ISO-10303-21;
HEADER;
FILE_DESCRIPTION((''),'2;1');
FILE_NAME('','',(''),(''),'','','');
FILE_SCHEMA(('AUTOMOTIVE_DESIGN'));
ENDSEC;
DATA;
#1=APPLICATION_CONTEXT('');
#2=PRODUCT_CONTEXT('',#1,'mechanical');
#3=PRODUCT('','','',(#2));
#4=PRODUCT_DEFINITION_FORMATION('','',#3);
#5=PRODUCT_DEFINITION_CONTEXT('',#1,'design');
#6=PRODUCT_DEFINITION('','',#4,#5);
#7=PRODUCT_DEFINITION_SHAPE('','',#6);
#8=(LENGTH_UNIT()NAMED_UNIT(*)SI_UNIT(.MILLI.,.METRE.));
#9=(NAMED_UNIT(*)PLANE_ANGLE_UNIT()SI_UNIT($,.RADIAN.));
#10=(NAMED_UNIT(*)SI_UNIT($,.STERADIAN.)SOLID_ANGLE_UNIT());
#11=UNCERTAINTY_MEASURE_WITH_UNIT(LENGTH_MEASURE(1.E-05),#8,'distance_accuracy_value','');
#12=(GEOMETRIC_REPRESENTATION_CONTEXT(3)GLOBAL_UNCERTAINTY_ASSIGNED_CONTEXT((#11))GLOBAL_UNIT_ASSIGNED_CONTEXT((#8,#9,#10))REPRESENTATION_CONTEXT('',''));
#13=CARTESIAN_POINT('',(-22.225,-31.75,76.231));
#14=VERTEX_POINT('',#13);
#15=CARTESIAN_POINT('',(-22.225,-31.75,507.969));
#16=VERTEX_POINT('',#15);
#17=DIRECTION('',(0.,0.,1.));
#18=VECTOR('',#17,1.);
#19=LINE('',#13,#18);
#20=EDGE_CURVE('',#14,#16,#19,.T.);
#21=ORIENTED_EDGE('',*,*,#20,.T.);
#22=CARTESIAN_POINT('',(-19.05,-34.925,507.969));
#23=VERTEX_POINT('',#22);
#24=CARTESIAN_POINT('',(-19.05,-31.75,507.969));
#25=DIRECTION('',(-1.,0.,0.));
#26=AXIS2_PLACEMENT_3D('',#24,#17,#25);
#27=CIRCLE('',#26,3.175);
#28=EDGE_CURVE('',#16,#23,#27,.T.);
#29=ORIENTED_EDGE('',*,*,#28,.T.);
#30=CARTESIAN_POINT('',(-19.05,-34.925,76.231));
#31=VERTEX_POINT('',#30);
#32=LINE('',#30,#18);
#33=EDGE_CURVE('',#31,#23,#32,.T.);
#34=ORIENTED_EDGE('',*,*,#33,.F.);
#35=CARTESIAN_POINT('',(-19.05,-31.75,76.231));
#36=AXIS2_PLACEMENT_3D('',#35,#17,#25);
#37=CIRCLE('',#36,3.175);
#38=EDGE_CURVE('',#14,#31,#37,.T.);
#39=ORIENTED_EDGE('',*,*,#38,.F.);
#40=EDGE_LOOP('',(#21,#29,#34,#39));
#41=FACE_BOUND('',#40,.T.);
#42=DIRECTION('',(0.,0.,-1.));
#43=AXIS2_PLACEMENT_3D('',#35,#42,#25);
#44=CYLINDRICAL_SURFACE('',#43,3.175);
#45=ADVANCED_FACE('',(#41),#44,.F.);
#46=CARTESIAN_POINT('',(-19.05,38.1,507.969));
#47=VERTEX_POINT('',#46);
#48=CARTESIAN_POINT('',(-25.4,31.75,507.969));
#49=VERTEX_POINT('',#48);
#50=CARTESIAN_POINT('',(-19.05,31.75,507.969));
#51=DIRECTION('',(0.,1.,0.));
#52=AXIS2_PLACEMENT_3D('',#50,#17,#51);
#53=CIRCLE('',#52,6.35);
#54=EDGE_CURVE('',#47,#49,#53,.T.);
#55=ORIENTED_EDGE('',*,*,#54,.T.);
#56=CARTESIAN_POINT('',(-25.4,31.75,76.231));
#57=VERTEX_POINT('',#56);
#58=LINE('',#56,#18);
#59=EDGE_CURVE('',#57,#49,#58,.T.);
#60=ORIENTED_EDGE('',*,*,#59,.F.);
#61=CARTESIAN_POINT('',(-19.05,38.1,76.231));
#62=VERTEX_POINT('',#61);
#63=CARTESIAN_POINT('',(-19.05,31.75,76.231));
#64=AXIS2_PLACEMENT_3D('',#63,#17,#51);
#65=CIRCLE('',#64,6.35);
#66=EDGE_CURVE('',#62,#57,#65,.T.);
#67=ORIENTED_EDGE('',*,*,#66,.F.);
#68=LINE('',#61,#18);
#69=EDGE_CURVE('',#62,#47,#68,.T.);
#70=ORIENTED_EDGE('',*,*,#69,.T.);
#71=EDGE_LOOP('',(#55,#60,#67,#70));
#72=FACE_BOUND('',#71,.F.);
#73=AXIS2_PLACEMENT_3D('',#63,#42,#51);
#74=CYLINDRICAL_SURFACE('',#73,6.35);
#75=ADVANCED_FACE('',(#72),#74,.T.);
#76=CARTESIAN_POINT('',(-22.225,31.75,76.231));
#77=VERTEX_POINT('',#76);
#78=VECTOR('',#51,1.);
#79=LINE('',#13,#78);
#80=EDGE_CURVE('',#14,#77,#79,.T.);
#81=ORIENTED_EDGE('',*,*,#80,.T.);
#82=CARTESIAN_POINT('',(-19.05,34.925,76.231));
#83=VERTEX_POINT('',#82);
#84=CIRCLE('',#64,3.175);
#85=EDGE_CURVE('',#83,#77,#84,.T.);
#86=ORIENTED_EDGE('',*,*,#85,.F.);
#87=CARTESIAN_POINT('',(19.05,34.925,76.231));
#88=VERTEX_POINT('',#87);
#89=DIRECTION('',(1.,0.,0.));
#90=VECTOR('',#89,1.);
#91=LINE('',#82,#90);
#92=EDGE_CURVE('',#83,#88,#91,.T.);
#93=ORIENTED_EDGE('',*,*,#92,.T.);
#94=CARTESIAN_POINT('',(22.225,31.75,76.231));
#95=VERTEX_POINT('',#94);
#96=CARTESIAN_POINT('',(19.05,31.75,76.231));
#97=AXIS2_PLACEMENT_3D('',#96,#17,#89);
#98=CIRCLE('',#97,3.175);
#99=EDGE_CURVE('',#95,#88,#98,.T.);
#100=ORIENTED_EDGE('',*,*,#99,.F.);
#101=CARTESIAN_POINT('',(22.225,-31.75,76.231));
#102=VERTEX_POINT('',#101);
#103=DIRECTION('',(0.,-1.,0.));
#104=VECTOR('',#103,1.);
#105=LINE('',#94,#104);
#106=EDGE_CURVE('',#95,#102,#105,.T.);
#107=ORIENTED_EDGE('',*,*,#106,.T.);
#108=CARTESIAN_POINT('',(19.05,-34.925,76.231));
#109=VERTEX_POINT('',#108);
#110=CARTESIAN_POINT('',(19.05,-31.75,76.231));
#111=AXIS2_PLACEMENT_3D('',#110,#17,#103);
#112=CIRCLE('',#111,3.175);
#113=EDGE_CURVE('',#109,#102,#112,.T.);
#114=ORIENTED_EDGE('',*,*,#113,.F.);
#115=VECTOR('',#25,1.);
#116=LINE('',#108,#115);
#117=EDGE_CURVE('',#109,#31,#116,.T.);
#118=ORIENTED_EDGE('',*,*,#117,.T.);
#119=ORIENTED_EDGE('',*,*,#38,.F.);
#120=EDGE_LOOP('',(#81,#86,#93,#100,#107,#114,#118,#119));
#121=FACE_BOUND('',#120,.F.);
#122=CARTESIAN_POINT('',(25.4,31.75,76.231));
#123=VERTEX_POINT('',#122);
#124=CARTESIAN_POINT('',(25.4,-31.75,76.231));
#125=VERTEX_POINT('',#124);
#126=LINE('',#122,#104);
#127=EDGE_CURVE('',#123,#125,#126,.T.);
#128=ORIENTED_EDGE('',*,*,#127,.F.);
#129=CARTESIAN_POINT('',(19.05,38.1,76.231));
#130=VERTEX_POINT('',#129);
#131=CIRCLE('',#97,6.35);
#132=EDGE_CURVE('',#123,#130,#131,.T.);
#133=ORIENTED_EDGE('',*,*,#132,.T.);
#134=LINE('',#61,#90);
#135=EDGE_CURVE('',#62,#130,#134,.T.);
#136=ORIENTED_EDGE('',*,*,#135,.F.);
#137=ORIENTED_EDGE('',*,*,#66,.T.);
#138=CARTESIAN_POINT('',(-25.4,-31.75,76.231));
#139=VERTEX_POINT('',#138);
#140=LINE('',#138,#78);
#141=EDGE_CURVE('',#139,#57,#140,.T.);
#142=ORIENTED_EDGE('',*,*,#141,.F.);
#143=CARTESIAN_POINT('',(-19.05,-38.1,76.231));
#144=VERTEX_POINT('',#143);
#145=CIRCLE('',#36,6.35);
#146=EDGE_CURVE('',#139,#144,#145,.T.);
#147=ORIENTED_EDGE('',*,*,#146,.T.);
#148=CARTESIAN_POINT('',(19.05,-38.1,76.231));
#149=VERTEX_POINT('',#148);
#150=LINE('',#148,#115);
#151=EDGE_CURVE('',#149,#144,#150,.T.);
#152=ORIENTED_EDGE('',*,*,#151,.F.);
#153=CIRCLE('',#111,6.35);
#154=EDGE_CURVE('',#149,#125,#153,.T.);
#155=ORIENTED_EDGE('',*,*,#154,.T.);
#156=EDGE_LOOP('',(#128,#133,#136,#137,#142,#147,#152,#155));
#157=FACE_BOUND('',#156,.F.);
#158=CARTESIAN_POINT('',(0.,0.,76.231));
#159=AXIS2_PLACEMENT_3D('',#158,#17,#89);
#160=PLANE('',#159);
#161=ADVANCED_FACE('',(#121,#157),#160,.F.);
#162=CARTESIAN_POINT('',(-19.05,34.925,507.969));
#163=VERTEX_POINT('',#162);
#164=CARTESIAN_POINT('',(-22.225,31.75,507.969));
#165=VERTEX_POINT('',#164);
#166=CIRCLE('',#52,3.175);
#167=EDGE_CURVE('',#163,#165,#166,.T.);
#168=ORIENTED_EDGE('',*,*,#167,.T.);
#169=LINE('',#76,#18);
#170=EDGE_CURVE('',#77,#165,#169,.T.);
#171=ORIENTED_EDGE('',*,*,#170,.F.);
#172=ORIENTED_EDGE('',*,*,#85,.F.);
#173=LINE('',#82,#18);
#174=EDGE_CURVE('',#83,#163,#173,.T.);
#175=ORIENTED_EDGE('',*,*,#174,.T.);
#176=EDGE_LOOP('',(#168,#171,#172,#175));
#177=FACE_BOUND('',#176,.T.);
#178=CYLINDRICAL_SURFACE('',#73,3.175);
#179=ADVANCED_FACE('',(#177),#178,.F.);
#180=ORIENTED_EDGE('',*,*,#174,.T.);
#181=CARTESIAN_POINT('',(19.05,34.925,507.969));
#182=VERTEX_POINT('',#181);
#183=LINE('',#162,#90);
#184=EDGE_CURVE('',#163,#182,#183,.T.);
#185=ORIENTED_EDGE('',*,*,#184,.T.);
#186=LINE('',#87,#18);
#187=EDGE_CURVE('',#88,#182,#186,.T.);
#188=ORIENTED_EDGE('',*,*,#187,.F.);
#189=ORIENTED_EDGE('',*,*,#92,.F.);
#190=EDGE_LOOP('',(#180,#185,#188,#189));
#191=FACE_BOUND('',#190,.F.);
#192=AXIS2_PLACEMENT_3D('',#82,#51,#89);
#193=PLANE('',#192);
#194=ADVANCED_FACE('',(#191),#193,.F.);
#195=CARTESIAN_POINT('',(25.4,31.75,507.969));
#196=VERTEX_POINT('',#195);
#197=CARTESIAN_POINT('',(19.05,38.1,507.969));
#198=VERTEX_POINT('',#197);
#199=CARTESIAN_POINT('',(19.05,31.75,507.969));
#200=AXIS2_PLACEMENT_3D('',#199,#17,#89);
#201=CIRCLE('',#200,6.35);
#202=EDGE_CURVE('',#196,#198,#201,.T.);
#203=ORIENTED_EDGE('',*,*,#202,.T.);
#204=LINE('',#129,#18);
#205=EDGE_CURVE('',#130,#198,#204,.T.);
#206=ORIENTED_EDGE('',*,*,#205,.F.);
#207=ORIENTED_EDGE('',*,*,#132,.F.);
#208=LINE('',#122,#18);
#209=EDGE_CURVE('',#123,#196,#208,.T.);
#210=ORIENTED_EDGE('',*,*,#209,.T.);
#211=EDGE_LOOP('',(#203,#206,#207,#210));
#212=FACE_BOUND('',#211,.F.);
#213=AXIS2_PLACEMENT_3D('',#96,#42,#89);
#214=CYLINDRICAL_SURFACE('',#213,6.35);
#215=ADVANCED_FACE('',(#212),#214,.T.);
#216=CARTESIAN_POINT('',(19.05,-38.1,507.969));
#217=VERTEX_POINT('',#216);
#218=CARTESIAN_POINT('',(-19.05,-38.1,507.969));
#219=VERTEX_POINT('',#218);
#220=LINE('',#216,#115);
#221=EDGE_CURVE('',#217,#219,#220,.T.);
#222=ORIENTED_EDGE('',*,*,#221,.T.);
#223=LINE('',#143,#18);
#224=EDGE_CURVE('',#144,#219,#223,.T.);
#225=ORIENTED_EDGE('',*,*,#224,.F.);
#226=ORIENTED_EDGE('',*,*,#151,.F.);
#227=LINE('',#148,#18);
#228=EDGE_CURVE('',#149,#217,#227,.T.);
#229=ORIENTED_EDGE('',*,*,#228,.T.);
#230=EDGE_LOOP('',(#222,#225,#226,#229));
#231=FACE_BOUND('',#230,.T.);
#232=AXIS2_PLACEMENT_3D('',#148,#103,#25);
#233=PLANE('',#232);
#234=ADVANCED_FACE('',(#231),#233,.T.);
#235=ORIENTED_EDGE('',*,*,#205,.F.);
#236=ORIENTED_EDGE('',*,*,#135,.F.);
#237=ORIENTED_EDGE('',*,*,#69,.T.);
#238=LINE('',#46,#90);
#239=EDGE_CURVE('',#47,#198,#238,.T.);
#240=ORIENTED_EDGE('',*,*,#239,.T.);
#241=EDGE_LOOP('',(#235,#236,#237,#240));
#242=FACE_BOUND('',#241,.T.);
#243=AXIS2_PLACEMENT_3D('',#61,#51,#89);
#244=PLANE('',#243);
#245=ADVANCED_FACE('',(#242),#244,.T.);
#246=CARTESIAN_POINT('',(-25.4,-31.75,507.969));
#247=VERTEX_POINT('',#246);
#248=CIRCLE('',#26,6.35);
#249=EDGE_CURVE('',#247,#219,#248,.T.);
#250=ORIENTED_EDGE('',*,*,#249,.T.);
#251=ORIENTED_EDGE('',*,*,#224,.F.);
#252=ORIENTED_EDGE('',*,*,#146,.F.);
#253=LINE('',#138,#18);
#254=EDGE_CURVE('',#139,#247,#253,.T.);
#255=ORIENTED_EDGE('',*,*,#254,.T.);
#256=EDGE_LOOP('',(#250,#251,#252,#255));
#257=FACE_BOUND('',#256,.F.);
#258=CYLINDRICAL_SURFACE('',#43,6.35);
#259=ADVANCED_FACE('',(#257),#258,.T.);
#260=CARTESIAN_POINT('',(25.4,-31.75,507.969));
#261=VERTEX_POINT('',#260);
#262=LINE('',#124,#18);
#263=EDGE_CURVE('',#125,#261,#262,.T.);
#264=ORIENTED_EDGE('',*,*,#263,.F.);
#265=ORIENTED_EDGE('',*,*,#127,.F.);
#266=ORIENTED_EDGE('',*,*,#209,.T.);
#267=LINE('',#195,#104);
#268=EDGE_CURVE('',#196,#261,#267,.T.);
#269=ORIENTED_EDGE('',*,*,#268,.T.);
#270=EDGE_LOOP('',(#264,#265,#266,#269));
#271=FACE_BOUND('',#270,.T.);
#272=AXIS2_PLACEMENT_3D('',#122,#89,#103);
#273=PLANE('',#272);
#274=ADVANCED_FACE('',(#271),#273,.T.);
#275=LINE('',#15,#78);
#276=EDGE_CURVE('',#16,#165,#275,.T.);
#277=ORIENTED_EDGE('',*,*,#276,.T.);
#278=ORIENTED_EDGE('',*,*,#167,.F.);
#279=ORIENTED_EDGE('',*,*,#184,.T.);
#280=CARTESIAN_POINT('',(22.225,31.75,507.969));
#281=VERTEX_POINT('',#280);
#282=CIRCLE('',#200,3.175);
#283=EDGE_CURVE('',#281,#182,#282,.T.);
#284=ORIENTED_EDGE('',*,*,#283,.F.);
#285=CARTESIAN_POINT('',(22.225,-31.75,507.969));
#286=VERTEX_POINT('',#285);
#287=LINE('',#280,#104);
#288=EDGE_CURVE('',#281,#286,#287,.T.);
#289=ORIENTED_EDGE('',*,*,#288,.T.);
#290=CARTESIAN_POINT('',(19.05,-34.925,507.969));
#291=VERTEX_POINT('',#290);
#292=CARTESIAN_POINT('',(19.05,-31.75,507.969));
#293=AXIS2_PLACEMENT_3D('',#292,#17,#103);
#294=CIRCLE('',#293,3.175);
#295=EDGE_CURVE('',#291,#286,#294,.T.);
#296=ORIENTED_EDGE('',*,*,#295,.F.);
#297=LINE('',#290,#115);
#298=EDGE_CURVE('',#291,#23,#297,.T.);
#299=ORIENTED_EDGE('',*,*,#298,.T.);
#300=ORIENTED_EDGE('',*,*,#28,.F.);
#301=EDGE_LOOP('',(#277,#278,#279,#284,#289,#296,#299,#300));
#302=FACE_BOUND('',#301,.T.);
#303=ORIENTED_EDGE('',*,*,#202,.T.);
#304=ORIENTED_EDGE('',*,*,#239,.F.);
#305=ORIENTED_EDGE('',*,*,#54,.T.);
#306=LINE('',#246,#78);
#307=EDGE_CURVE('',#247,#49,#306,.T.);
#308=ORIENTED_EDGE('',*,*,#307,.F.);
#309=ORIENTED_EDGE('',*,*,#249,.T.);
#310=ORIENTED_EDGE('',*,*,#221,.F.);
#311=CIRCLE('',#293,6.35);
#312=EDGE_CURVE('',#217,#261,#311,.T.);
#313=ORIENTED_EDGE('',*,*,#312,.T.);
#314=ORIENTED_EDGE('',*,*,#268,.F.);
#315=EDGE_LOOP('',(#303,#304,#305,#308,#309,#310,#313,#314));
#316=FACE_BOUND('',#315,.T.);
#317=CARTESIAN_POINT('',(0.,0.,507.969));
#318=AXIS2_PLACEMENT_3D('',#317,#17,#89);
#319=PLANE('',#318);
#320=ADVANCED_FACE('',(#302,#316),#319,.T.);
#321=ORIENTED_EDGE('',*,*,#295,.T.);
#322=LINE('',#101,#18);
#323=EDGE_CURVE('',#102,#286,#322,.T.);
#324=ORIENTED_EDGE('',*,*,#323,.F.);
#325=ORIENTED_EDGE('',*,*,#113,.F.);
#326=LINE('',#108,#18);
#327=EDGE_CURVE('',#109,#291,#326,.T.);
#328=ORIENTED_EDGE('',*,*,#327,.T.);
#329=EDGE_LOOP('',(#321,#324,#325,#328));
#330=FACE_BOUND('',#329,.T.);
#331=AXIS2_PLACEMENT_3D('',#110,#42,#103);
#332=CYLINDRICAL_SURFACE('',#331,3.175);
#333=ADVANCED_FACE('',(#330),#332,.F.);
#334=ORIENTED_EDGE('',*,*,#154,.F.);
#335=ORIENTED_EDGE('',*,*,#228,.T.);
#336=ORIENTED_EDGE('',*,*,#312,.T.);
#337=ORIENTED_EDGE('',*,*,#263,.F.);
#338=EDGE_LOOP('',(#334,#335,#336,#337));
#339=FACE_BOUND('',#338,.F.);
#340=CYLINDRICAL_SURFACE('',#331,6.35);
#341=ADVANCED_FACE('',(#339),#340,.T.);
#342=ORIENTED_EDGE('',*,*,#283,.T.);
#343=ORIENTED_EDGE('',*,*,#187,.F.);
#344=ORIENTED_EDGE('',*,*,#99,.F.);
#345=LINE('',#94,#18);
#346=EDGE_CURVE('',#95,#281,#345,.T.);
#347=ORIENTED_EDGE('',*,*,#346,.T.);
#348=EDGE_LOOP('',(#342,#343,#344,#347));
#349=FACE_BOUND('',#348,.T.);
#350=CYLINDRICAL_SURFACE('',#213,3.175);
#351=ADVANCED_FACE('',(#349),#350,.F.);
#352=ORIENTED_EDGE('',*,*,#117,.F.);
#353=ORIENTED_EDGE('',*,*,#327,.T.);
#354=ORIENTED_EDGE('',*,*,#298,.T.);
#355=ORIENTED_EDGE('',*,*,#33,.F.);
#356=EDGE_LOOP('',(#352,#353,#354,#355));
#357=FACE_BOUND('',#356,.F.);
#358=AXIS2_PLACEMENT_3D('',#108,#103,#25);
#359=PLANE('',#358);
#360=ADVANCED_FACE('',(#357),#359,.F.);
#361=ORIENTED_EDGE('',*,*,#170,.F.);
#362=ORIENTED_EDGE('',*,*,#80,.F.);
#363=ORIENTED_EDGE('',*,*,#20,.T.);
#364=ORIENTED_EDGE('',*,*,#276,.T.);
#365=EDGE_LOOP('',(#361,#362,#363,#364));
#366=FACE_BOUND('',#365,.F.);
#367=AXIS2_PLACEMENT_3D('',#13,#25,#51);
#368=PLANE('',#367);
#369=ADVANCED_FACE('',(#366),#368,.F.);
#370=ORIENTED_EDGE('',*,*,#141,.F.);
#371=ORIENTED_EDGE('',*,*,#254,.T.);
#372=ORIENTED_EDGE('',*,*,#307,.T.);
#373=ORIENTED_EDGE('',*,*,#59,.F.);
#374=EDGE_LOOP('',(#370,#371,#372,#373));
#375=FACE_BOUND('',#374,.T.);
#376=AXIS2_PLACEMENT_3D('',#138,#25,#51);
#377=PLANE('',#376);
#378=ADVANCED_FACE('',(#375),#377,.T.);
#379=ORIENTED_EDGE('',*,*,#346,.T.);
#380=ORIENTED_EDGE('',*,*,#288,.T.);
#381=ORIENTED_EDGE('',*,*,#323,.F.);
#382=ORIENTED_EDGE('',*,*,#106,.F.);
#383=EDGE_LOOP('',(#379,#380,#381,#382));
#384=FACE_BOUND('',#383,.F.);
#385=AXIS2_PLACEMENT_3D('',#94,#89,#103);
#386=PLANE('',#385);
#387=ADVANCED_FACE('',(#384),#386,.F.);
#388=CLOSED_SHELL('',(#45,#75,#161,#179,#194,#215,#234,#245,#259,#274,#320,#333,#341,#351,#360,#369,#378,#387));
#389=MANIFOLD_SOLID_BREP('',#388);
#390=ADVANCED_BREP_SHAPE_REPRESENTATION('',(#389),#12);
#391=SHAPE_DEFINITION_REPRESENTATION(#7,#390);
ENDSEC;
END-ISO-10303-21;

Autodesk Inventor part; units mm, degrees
ref_plane "Start Plane" through (0, 0, 76.231) normal (0, 0, 1) x (1, 0, 0)
ref_plane "End Plane" through (0, 0, 507.969) normal (0, 0, 1) x (1, 0, 0)
sketch "Sketch" plane through (0, 0, 0) normal (0, 0, 1) x (1, 0, 0)
  line L0 (-25.4, -31.75) -> (-25.4, 31.75)
  line L1 (-19.05, 38.1) -> (19.05, 38.1)
  line L2 (25.4, 31.75) -> (25.4, -31.75)
  line L3 (19.05, -38.1) -> (-19.05, -38.1)
  arc A0 (-25.4, -31.75) -> (-19.05, -38.1) centre (-19.05, -31.75) ccw
  arc A1 (-19.05, 38.1) -> (-25.4, 31.75) centre (-19.05, 31.75) ccw
  arc A2 (25.4, 31.75) -> (19.05, 38.1) centre (19.05, 31.75) ccw
  arc A3 (19.05, -38.1) -> (25.4, -31.75) centre (19.05, -31.75) ccw
  arc A4 (-19.05, 34.925) -> (-22.225, 31.75) centre (-19.05, 31.75) ccw
  line L4 (-19.05, 34.925) -> (19.05, 34.925)
  arc A5 (22.225, 31.75) -> (19.05, 34.925) centre (19.05, 31.75) ccw
  line L5 (22.225, 31.75) -> (22.225, -31.75)
  arc A6 (19.05, -34.925) -> (22.225, -31.75) centre (19.05, -31.75) ccw
  line L6 (19.05, -34.925) -> (-19.05, -34.925)
  arc A7 (-22.225, -31.75) -> (-19.05, -34.925) centre (-19.05, -31.75) ccw
  line L7 (-22.225, -31.75) -> (-22.225, 31.75)
  line L8 (0, 55.1812) -> (0, -55.1812) construction
  line L9 (-37.4012, 0) -> (37.4012, 0) construction
  dimension "d10" = 76.2
  dimension "d11" = 50.8
  dimension "d12" = 3.175
  dimension "d15" = 38.1
  dimension "d16" = 25.4
  dimension "d17" = 6.35
extrude "Body" add sketch "Sketch" along normal up to surface (431.738 mm away) from surface at 76.231
sketch "Sketch3" plane through (0, 0, 0) normal (0, 0, 1) x (1, 0, 0)
  line L0 (0, 0) -> (10, 0)
ref_plane "Work Plane3" through (0, 0, 0) normal (0, -1, 0) x (1, 0, 0)
ref_plane "Work Plane4" through (-19.05, -660.4, 507.969) normal (0, 0, 1) x (1, 0, 0)
split "Split1" plane through (-19.05, -660.4, 507.969) removes the side toward (0, 0, 1)
ref_plane "Work Plane5" through (19.05, -660.4, 76.231) normal (0, 0, -1) x (-1, 0, 0)
split "Split2" plane through (19.05, -660.4, 76.231) removes the side toward (0, 0, -1)
sketch "Sketch4" plane through (0, 0, 0) normal (0, -1, 0) x (1, 0, 0)
  line L0 (-2, 76.231) -> (12, 76.231) projected
  line L1 (-2, 507.969) -> (12, 507.969) projected
  dimension "d19" = 431.738
equation "\"d10\" = G_H"
equation "\"d11\" = G_W"
equation "\"d12\" = G_T"
equation "\"d15\" = 0.5 * d10"
equation "\"d16\" = 0.5 * d11"
equation "\"d17\" = G_IR"
equation "\"d3\" = G_L"
equation "\"G_W\" = 50.8"
equation "\"G_H\" = 76.2"
equation "\"G_T\" = 3.175"
equation "\"G_IR\" = 6.35"
equation "\"G_L\" = d19"
equation "\"G_OFFSET_START\" = -76.231"
equation "\"G_OFFSET_END\" = -76.231"
equation "\"d13\" = -G_OFFSET_START"
equation "\"d14\" = G_OFFSET_END + B_L"
equation "\"B_L\" = 584.2"
properties part number "AISC - 3 x 2 x 1/8 - 16.998" material "Steel, Mild"
